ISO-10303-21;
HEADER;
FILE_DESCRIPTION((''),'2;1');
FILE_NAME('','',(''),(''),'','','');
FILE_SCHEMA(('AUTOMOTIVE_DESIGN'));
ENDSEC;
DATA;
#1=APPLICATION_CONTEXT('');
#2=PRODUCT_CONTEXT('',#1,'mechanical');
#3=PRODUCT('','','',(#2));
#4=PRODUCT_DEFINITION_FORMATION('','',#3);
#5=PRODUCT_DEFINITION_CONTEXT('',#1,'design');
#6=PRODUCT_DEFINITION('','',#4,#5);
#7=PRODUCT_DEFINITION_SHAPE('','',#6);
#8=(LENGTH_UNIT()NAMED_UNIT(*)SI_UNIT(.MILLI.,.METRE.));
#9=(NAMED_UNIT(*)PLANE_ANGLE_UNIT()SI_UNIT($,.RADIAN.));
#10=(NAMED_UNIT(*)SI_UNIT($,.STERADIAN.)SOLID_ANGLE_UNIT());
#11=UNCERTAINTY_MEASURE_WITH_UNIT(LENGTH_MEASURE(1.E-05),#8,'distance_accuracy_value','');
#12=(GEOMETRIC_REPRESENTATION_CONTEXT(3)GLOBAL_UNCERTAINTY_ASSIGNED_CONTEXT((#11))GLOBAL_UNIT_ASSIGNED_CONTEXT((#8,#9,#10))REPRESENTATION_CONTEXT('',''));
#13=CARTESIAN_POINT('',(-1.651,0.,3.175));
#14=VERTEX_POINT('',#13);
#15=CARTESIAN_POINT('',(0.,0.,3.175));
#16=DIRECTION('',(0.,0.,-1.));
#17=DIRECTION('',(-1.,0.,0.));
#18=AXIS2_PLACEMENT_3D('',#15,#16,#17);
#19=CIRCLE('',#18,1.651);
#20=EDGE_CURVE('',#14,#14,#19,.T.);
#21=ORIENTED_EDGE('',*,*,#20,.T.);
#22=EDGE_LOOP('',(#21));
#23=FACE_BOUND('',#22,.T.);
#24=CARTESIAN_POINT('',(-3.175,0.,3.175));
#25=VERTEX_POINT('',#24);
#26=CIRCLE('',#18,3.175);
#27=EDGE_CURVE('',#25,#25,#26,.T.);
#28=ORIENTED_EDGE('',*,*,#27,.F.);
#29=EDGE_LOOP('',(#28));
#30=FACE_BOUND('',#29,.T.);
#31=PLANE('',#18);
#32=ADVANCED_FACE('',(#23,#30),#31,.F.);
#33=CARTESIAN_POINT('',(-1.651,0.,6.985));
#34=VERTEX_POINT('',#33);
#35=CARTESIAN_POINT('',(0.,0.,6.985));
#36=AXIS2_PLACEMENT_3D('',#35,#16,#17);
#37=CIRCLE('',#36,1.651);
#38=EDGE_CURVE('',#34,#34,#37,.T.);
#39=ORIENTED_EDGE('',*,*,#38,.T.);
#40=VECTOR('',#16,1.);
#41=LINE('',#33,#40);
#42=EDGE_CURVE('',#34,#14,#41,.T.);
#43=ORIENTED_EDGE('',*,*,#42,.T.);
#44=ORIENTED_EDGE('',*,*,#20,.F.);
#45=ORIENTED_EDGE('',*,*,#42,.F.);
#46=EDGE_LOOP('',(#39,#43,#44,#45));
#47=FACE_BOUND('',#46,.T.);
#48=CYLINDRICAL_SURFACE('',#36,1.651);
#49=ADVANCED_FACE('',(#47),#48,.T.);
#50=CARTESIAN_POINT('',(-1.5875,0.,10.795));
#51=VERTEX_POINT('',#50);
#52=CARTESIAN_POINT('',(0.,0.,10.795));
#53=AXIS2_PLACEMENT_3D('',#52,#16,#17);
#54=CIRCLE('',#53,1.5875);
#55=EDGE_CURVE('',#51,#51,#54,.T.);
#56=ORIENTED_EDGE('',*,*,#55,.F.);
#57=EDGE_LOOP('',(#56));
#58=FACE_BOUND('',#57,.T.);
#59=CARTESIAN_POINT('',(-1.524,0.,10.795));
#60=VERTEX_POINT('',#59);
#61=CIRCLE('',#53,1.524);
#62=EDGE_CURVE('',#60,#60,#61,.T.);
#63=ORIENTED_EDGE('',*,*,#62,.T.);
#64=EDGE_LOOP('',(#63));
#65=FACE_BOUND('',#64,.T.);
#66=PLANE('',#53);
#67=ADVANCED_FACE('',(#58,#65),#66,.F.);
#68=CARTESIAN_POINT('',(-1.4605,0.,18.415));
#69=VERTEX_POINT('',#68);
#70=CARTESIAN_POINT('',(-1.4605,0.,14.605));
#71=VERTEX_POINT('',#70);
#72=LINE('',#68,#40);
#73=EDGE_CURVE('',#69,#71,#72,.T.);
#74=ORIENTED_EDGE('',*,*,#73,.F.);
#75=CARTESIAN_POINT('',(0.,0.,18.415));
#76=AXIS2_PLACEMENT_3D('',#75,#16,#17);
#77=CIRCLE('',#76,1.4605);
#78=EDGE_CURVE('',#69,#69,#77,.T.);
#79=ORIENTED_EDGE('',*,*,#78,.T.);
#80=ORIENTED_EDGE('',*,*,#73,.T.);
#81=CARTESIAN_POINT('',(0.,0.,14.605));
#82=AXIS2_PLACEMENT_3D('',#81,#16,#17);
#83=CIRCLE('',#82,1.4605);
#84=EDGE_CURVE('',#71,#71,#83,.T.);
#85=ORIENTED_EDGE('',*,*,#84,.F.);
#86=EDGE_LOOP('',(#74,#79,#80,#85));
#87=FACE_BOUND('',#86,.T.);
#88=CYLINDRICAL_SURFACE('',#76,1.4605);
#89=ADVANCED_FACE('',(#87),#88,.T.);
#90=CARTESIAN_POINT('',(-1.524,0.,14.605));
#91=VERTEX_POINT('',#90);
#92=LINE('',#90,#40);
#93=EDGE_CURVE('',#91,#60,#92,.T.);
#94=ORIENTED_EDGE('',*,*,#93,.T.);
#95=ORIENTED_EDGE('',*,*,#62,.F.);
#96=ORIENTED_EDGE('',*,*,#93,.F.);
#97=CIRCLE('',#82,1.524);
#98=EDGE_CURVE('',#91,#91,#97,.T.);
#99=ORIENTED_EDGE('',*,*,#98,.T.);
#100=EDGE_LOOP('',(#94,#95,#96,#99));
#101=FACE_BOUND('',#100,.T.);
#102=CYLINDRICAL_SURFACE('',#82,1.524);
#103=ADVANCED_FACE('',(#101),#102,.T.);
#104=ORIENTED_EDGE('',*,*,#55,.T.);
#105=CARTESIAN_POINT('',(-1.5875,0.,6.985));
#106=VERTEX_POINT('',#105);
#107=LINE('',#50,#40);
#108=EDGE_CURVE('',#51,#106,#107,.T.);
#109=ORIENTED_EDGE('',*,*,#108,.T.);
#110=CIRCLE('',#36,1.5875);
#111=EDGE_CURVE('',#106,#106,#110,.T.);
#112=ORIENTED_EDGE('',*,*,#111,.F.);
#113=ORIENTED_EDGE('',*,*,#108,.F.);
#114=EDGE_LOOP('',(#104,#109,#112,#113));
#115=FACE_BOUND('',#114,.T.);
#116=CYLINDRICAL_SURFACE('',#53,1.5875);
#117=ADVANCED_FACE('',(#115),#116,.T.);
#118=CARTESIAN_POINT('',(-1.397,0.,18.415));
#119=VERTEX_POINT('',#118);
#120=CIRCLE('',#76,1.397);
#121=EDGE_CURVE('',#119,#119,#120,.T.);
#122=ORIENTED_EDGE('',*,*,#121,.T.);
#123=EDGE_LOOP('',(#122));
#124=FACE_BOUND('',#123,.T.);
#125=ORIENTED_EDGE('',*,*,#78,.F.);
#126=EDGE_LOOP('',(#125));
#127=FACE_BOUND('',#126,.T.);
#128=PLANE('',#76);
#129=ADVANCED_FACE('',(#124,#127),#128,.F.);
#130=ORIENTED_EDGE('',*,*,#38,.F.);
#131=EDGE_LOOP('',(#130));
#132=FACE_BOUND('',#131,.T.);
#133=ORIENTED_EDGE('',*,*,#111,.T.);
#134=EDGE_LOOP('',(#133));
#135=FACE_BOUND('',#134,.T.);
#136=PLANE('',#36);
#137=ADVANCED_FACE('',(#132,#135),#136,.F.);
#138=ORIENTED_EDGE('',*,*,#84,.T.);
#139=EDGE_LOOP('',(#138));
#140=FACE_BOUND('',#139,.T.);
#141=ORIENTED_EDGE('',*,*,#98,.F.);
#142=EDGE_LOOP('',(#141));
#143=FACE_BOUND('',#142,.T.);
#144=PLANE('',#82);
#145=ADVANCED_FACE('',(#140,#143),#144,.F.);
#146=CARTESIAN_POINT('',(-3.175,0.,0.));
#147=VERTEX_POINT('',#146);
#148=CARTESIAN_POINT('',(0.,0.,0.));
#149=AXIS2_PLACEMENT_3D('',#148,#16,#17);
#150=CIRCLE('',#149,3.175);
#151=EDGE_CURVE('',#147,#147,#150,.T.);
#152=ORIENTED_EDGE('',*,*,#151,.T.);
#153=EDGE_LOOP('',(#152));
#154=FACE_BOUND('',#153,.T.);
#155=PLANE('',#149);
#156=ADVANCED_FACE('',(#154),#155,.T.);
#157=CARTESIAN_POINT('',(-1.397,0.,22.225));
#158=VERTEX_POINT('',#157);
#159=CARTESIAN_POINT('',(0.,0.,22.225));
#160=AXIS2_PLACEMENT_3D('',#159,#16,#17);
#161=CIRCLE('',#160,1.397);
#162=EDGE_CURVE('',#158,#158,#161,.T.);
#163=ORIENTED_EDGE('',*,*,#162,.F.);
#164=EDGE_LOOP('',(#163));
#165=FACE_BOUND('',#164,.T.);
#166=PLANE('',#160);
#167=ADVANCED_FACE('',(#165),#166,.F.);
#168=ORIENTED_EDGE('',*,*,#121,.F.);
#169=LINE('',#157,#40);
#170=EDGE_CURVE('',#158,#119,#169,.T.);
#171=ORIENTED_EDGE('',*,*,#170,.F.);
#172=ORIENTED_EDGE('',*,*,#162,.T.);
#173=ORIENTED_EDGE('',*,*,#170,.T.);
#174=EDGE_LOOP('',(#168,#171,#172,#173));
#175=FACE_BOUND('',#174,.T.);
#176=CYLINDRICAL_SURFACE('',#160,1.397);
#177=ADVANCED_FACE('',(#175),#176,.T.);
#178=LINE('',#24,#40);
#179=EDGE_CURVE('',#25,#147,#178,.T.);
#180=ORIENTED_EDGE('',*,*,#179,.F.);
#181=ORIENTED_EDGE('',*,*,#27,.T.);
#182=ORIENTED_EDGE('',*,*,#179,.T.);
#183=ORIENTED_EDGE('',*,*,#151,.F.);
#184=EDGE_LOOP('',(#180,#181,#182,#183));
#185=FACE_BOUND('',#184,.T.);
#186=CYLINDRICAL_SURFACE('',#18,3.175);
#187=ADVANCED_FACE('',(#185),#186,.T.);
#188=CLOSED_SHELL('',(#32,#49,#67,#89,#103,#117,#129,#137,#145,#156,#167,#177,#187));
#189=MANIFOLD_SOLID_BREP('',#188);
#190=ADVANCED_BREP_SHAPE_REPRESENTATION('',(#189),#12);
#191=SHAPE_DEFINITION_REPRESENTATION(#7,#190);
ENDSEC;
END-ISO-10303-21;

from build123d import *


with BuildPart() as f1:
    # F0 (on Front) → F1 (revolve)
    with BuildSketch(Plane.XZ):
        Polygon((-1.5875, 6.985), (0, 6.985), (0, 10.795), (-1.524, 10.795), (-1.5875, 10.795), align=None)
        Polygon((-3.175, 0), (0, 0), (0, 6.985), (-1.5875, 6.985), (-1.651, 6.985), (-1.651, 3.175), (-3.175, 3.175), align=None)
        Polygon((-1.524, 10.795), (0, 10.795), (0, 22.225), (-1.397, 22.225), (-1.397, 18.415), (-1.4605, 18.415), (-1.4605, 14.605), (-1.524, 14.605), align=None)
    revolve(axis=Axis((0, 0, 11.1125), (0, 0, -1)))


solid = f1.part
